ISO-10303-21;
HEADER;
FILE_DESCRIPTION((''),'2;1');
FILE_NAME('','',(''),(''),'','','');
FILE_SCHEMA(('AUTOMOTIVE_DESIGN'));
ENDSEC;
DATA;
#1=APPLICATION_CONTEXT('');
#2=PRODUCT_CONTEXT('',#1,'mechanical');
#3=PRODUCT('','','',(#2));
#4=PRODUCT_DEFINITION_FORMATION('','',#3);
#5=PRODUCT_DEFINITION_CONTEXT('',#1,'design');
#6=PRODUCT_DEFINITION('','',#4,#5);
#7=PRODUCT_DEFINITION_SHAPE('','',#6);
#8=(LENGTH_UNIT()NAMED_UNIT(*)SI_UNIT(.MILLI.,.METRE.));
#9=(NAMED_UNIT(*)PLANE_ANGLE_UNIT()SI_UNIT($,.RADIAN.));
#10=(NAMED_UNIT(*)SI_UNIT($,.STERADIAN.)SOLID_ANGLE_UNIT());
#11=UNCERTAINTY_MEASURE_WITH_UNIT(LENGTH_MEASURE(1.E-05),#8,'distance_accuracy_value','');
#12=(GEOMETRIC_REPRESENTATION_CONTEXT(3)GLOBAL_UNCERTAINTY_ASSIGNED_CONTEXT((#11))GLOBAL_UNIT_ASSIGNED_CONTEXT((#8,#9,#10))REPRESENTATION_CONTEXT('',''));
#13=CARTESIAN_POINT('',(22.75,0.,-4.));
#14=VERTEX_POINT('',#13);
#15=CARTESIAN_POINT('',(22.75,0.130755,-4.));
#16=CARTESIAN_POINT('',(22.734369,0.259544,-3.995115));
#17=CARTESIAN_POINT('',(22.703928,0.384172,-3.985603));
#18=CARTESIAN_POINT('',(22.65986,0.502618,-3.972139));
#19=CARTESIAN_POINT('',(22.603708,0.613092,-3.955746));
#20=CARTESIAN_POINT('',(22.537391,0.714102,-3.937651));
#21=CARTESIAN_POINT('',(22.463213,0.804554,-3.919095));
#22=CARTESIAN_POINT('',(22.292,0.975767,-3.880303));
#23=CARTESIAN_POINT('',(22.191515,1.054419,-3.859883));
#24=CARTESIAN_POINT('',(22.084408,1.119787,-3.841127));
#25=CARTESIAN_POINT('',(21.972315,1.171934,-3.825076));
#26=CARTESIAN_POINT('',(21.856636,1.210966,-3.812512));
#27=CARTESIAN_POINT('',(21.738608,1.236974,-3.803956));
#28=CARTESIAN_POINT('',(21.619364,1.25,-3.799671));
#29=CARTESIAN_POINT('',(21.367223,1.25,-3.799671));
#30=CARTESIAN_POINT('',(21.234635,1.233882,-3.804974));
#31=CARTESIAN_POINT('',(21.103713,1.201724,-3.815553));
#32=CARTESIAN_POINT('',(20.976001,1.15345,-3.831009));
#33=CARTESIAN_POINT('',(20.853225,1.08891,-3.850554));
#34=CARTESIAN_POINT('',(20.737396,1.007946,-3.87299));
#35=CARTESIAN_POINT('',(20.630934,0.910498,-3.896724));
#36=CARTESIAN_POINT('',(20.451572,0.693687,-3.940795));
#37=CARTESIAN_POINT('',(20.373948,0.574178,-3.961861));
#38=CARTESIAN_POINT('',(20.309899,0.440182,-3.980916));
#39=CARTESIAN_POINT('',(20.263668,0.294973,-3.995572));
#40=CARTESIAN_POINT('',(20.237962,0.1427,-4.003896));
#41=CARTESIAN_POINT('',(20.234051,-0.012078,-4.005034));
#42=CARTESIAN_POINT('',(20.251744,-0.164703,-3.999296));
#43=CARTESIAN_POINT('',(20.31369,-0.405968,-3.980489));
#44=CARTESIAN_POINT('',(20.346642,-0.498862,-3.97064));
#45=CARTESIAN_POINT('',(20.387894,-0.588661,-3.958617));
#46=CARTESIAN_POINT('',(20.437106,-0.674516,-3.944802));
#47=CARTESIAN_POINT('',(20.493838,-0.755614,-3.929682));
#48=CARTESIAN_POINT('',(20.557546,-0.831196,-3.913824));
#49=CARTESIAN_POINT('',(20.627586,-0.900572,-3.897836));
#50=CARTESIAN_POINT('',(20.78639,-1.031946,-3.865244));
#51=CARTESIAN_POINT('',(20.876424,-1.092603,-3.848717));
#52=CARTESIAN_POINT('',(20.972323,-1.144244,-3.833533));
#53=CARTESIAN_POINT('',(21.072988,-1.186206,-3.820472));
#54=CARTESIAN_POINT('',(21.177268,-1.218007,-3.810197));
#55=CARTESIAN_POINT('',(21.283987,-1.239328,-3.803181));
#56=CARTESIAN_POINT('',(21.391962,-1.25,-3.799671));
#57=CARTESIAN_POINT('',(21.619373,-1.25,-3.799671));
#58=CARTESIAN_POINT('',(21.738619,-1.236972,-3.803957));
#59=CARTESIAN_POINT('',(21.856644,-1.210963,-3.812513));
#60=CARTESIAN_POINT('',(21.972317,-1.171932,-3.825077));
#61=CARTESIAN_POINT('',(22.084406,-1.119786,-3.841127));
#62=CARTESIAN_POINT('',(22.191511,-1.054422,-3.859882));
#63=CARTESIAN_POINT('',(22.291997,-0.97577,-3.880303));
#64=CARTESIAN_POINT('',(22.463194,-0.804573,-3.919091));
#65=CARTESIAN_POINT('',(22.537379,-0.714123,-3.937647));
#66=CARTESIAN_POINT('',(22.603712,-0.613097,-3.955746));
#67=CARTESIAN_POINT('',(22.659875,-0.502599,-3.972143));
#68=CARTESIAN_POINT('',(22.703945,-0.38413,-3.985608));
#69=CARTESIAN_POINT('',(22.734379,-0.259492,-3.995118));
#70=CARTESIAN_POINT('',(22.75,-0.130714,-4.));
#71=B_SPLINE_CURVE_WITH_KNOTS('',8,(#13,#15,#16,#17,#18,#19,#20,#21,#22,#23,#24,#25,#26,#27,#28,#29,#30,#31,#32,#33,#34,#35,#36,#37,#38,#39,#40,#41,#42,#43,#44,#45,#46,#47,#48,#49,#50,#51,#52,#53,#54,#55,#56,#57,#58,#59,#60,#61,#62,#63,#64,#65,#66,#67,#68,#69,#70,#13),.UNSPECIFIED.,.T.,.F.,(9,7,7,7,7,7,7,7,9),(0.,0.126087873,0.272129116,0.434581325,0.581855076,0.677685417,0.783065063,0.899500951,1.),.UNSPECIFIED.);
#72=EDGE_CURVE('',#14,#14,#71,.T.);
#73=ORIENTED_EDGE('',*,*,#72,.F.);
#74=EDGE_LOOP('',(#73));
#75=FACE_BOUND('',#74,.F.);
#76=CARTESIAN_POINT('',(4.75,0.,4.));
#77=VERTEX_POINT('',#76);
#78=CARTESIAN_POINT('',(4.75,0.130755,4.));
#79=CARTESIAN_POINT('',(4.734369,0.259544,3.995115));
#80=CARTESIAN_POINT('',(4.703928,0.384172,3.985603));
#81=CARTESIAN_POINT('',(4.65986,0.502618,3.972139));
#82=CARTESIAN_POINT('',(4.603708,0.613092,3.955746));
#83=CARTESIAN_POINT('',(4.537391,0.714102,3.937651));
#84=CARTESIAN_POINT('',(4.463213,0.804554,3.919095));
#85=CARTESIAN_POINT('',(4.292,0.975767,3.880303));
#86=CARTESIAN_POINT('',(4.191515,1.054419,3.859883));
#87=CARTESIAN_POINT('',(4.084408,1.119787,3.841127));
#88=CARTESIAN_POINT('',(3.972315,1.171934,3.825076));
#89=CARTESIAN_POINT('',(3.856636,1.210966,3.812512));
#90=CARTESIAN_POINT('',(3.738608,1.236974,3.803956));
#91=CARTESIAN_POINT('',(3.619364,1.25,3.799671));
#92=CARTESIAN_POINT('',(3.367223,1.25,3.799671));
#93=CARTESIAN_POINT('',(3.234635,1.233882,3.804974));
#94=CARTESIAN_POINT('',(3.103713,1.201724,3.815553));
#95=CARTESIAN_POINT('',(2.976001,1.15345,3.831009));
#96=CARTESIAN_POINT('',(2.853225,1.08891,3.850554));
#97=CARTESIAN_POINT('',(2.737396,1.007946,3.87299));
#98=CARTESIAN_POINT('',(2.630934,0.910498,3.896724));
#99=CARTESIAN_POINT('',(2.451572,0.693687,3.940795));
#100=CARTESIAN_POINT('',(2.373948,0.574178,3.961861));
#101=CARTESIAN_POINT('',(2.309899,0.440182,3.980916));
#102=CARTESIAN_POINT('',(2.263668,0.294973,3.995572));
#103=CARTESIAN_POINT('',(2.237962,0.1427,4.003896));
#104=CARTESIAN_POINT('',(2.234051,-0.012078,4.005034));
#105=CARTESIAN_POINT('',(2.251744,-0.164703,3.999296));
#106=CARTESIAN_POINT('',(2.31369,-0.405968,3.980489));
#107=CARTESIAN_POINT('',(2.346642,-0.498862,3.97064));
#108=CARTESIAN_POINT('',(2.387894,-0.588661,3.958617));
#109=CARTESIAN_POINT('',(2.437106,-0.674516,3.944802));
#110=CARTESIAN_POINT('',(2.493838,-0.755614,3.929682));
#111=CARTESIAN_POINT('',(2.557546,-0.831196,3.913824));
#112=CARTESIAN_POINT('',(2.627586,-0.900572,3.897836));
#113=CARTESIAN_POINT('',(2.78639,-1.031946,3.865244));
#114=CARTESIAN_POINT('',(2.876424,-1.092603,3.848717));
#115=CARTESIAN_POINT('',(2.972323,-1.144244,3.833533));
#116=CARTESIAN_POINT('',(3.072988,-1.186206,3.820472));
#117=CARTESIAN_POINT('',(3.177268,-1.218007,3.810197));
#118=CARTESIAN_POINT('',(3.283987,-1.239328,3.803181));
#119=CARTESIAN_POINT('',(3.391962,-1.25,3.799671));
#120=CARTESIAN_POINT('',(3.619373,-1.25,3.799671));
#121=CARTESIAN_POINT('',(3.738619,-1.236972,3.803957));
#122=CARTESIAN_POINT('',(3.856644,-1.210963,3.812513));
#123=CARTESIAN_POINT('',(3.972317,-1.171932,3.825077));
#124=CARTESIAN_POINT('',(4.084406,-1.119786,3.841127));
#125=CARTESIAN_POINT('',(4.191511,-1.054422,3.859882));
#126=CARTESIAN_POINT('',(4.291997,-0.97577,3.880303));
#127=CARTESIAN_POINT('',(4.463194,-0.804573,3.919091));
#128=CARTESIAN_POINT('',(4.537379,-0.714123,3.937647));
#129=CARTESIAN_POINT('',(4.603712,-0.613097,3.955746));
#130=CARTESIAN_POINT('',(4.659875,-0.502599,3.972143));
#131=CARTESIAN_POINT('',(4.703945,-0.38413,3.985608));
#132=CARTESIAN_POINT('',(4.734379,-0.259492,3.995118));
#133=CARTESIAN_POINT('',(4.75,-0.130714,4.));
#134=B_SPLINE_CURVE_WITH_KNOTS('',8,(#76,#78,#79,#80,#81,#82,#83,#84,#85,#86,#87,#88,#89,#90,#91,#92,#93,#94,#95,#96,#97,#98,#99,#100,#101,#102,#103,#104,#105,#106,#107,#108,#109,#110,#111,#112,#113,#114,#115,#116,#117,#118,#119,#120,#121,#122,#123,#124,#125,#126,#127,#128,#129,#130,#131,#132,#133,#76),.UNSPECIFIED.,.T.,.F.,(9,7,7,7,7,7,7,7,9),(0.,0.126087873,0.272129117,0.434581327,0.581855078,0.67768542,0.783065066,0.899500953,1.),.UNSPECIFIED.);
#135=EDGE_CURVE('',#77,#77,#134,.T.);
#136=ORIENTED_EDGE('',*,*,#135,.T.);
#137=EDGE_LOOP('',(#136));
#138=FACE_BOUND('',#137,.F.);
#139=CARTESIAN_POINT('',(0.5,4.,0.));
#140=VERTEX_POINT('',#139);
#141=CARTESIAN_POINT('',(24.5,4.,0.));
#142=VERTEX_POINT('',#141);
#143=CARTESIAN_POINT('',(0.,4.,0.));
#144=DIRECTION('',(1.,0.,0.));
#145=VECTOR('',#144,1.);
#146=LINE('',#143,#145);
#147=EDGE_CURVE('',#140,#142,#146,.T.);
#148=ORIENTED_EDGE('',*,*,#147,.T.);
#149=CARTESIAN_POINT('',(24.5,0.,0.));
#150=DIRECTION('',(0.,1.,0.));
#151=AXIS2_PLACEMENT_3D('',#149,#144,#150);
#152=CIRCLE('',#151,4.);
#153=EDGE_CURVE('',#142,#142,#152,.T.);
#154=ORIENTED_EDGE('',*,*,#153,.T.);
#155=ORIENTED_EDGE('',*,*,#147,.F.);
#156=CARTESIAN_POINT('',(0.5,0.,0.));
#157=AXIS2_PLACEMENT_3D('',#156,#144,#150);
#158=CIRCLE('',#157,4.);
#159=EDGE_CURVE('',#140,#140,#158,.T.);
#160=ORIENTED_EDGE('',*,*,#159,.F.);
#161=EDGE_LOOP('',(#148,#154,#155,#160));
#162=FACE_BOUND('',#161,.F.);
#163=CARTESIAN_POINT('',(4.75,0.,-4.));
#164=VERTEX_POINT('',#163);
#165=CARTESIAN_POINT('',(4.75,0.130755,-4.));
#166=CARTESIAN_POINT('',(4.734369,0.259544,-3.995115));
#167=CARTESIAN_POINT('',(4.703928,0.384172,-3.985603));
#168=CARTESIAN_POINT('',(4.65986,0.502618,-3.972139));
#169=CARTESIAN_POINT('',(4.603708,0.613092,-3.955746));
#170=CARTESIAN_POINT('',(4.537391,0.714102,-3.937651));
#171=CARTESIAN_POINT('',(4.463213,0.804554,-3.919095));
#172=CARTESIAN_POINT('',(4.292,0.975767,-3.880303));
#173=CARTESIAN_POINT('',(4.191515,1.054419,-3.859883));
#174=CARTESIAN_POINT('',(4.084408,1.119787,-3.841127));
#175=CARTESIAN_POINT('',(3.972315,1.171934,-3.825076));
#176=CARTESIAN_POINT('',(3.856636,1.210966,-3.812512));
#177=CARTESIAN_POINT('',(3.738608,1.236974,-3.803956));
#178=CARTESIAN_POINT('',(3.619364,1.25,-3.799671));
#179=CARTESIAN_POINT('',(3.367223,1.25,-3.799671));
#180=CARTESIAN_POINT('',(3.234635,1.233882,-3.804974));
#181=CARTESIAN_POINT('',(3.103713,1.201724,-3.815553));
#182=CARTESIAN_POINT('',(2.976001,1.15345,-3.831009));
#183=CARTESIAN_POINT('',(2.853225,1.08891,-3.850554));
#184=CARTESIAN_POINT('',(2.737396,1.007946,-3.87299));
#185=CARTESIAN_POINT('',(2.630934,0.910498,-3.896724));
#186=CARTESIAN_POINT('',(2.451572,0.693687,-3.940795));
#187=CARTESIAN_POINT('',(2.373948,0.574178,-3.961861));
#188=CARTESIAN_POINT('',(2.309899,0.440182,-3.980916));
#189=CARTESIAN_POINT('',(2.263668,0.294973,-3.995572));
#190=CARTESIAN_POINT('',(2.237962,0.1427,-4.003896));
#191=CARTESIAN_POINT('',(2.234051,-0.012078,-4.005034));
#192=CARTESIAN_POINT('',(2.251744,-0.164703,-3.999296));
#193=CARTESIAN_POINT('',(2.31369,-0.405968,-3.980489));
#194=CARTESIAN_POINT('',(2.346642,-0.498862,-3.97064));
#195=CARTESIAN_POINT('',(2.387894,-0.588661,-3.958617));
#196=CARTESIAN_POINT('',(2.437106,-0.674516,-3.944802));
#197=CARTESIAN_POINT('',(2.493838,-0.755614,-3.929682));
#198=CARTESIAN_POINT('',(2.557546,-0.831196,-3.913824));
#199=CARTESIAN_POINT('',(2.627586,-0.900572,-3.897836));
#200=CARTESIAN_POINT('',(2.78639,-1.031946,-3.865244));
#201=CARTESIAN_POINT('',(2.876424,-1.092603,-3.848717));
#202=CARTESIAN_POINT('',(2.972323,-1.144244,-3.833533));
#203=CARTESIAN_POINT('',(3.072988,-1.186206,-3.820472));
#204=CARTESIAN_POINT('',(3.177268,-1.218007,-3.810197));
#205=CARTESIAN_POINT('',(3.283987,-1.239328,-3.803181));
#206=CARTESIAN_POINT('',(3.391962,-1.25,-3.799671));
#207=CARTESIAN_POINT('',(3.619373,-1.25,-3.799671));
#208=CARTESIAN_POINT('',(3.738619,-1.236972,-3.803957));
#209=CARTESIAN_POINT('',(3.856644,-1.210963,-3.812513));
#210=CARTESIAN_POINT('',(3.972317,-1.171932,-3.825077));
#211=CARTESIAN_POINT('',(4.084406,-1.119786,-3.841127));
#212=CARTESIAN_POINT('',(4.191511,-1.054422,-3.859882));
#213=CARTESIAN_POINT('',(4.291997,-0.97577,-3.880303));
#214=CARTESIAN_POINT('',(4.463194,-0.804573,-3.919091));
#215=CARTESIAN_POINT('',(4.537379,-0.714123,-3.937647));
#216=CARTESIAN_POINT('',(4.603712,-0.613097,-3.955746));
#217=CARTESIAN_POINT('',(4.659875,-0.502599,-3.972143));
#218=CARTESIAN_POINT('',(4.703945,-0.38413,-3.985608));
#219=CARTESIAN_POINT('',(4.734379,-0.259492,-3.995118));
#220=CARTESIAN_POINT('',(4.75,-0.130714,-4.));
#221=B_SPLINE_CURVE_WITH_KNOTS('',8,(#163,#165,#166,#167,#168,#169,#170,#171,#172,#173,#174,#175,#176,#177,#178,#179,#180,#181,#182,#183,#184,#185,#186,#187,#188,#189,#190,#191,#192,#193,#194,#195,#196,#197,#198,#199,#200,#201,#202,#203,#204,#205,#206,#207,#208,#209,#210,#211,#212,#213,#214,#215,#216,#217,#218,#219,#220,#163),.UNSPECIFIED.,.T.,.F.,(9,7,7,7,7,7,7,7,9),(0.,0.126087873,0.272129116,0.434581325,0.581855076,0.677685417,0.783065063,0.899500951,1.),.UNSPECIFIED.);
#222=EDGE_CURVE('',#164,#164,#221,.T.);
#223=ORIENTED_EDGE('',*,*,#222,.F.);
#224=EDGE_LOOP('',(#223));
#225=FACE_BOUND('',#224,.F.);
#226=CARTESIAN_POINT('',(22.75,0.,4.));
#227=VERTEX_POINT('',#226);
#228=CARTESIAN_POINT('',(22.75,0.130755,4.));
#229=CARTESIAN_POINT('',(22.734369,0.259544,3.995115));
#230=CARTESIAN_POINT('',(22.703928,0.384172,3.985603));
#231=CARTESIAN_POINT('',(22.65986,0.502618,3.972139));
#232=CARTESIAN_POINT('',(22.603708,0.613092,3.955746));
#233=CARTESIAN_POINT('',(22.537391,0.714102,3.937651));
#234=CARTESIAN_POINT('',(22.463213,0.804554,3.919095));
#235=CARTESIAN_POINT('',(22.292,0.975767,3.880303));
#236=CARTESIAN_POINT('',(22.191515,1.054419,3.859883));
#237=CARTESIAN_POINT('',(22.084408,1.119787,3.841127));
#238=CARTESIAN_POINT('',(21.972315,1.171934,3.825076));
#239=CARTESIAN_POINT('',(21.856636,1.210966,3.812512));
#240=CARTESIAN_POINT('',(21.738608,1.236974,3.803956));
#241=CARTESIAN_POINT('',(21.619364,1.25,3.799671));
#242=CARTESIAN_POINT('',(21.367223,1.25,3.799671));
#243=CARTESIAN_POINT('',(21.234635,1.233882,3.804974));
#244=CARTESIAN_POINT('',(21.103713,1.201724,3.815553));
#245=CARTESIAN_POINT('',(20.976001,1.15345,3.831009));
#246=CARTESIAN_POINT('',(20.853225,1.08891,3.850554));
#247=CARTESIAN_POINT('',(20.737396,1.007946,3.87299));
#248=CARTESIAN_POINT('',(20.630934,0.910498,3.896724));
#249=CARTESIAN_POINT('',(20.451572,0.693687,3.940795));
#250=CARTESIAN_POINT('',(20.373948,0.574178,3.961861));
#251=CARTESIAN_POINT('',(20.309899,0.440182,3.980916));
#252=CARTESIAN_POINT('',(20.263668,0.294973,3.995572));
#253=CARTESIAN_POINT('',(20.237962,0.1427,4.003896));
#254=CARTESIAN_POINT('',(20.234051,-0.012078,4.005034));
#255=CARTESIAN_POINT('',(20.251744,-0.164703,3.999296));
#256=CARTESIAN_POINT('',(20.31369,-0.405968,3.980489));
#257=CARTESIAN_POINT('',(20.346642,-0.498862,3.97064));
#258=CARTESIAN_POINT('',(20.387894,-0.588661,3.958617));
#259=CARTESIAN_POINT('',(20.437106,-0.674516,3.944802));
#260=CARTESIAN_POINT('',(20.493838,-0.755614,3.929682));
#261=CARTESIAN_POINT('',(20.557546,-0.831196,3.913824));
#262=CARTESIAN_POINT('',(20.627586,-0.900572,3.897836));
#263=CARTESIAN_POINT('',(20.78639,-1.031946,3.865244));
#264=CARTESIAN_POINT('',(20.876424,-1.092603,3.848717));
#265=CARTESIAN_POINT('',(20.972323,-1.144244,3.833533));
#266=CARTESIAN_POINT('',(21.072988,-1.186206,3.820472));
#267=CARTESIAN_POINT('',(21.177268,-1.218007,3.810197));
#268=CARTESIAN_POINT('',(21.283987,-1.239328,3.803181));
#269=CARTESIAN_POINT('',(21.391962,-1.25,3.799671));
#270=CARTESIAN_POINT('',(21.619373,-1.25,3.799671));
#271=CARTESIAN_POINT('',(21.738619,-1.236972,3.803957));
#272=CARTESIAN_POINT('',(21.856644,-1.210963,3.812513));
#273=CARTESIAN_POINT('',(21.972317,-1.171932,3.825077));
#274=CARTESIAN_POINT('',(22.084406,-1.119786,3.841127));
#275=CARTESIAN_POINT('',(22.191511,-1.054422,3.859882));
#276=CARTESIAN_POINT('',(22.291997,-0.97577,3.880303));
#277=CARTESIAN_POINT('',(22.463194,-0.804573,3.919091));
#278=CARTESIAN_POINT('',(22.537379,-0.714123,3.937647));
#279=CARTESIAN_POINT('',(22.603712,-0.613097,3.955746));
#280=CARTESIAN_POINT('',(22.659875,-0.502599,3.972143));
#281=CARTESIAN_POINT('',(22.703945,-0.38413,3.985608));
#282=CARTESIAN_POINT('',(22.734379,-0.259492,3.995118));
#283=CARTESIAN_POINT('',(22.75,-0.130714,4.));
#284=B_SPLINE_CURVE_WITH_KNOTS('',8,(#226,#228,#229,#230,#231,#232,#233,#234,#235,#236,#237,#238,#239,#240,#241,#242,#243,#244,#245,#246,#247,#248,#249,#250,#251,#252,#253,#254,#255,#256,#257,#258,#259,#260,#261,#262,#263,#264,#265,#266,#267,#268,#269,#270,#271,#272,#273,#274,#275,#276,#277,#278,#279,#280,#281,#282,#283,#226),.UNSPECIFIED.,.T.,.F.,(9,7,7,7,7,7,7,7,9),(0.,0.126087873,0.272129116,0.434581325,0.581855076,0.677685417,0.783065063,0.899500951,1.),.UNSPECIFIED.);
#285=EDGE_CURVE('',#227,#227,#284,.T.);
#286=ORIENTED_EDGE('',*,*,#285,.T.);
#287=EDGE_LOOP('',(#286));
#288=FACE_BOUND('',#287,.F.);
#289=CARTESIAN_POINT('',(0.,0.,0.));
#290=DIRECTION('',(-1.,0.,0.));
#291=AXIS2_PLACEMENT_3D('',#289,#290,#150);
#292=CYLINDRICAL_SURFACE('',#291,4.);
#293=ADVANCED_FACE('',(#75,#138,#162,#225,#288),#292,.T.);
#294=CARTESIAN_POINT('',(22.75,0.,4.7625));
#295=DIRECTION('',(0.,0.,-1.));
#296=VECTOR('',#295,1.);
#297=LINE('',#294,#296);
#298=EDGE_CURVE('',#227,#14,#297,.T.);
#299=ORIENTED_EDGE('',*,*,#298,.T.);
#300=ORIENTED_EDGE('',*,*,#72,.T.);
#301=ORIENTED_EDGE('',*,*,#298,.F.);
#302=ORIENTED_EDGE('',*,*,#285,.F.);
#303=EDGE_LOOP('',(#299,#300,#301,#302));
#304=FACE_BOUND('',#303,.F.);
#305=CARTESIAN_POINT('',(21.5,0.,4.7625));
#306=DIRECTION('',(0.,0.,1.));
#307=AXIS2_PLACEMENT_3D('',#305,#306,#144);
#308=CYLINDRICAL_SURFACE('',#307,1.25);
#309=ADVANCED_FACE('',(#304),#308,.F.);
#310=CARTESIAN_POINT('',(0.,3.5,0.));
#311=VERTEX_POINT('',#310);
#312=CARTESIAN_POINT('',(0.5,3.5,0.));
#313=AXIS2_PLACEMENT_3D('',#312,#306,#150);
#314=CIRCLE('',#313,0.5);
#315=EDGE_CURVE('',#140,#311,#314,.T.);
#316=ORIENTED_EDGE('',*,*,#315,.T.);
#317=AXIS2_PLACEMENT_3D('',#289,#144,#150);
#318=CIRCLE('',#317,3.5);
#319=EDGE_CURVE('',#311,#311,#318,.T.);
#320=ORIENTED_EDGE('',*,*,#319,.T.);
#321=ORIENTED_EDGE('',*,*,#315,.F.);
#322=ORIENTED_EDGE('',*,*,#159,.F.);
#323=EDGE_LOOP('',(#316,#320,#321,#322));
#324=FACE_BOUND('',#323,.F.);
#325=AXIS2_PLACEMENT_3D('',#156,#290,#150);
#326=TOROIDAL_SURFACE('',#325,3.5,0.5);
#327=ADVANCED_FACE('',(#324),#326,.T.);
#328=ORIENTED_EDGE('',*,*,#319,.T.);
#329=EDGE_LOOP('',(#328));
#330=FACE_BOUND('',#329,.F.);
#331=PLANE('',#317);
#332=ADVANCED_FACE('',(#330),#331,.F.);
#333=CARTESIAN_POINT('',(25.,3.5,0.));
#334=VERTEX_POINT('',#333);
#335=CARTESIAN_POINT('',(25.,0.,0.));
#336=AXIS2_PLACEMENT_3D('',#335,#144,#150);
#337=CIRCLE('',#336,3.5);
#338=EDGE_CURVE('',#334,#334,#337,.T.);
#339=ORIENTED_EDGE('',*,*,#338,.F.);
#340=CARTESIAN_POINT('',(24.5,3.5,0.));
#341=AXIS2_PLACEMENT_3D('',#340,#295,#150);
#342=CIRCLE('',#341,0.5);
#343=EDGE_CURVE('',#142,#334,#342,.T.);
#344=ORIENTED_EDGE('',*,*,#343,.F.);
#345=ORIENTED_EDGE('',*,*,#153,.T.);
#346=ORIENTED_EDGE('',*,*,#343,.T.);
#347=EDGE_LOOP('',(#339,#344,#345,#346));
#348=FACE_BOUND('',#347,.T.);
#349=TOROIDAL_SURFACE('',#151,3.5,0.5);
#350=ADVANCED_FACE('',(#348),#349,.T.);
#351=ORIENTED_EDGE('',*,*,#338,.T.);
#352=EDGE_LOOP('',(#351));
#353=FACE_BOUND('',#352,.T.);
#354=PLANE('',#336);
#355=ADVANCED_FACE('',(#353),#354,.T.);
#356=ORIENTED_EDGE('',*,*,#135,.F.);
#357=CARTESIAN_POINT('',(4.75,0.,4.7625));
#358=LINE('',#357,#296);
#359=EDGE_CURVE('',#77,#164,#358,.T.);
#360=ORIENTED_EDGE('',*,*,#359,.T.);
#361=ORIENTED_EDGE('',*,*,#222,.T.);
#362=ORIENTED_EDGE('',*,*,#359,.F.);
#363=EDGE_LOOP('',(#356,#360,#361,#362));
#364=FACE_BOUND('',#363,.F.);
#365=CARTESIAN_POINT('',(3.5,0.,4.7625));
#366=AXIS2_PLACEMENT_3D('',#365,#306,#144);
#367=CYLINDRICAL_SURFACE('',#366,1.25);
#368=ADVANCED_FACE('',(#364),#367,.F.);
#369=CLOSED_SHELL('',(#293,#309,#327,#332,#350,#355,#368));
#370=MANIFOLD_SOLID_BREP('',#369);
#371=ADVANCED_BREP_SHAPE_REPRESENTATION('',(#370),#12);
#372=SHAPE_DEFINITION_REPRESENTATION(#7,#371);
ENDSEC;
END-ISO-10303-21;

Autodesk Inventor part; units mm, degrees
ref_plane "YZ Plane" through (0, 0, 0) normal (1, 0, 0) x (0, 1, 0)
ref_plane "XZ Plane" through (0, 0, 0) normal (0, 1, 0) x (-1, 0, 0)
sketch "Sketch1" plane through (0, 0, 0) normal (1, 0, 0) x (0, 1, 0)
  circle A0 centre (0, 0) radius 4
  dimension "d0" = 8
extrude "Extrusion1" add sketch "Sketch1" along normal blind 25
fillet "Fillet1" radius 0.5 2 edges at (0, -4, 0) (25, -4, 0)
ref_plane "Work Plane1" through (0, 0, 4.7625) normal (0, 0, 1) x (1, 0, 0)
sketch "Sketch2" plane through (0, 0, 4.7625) normal (0, 0, 1) x (1, 0, 0)
  line L0 (0.5, 4) -> (24.5, 4) construction
  line L1 (12.5, 4) -> (12.5, 0) construction
  line L2 (12.5, 0) -> (21.5, 0) construction
  circle A0 centre (21.5, 0) radius 1.25 construction
  line L3 (12.5, 0) -> (3.5, 0) construction
  circle A1 centre (3.5, 0) radius 1.25 construction
  circle A2 centre (3.5, 0) radius 1.25
  circle A3 centre (21.5, 0) radius 1.25
  point P0 (0, 0)
  dimension "d5" = 9
  dimension "d6" = 2.5
  dimension "d7" = 9
  dimension "d8" = 2.5
  dimension "d9" = 4
extrude "Extrusion2" cut sketch "Sketch2" against normal blind 25
properties part number "Crankshaft Center Rod"
